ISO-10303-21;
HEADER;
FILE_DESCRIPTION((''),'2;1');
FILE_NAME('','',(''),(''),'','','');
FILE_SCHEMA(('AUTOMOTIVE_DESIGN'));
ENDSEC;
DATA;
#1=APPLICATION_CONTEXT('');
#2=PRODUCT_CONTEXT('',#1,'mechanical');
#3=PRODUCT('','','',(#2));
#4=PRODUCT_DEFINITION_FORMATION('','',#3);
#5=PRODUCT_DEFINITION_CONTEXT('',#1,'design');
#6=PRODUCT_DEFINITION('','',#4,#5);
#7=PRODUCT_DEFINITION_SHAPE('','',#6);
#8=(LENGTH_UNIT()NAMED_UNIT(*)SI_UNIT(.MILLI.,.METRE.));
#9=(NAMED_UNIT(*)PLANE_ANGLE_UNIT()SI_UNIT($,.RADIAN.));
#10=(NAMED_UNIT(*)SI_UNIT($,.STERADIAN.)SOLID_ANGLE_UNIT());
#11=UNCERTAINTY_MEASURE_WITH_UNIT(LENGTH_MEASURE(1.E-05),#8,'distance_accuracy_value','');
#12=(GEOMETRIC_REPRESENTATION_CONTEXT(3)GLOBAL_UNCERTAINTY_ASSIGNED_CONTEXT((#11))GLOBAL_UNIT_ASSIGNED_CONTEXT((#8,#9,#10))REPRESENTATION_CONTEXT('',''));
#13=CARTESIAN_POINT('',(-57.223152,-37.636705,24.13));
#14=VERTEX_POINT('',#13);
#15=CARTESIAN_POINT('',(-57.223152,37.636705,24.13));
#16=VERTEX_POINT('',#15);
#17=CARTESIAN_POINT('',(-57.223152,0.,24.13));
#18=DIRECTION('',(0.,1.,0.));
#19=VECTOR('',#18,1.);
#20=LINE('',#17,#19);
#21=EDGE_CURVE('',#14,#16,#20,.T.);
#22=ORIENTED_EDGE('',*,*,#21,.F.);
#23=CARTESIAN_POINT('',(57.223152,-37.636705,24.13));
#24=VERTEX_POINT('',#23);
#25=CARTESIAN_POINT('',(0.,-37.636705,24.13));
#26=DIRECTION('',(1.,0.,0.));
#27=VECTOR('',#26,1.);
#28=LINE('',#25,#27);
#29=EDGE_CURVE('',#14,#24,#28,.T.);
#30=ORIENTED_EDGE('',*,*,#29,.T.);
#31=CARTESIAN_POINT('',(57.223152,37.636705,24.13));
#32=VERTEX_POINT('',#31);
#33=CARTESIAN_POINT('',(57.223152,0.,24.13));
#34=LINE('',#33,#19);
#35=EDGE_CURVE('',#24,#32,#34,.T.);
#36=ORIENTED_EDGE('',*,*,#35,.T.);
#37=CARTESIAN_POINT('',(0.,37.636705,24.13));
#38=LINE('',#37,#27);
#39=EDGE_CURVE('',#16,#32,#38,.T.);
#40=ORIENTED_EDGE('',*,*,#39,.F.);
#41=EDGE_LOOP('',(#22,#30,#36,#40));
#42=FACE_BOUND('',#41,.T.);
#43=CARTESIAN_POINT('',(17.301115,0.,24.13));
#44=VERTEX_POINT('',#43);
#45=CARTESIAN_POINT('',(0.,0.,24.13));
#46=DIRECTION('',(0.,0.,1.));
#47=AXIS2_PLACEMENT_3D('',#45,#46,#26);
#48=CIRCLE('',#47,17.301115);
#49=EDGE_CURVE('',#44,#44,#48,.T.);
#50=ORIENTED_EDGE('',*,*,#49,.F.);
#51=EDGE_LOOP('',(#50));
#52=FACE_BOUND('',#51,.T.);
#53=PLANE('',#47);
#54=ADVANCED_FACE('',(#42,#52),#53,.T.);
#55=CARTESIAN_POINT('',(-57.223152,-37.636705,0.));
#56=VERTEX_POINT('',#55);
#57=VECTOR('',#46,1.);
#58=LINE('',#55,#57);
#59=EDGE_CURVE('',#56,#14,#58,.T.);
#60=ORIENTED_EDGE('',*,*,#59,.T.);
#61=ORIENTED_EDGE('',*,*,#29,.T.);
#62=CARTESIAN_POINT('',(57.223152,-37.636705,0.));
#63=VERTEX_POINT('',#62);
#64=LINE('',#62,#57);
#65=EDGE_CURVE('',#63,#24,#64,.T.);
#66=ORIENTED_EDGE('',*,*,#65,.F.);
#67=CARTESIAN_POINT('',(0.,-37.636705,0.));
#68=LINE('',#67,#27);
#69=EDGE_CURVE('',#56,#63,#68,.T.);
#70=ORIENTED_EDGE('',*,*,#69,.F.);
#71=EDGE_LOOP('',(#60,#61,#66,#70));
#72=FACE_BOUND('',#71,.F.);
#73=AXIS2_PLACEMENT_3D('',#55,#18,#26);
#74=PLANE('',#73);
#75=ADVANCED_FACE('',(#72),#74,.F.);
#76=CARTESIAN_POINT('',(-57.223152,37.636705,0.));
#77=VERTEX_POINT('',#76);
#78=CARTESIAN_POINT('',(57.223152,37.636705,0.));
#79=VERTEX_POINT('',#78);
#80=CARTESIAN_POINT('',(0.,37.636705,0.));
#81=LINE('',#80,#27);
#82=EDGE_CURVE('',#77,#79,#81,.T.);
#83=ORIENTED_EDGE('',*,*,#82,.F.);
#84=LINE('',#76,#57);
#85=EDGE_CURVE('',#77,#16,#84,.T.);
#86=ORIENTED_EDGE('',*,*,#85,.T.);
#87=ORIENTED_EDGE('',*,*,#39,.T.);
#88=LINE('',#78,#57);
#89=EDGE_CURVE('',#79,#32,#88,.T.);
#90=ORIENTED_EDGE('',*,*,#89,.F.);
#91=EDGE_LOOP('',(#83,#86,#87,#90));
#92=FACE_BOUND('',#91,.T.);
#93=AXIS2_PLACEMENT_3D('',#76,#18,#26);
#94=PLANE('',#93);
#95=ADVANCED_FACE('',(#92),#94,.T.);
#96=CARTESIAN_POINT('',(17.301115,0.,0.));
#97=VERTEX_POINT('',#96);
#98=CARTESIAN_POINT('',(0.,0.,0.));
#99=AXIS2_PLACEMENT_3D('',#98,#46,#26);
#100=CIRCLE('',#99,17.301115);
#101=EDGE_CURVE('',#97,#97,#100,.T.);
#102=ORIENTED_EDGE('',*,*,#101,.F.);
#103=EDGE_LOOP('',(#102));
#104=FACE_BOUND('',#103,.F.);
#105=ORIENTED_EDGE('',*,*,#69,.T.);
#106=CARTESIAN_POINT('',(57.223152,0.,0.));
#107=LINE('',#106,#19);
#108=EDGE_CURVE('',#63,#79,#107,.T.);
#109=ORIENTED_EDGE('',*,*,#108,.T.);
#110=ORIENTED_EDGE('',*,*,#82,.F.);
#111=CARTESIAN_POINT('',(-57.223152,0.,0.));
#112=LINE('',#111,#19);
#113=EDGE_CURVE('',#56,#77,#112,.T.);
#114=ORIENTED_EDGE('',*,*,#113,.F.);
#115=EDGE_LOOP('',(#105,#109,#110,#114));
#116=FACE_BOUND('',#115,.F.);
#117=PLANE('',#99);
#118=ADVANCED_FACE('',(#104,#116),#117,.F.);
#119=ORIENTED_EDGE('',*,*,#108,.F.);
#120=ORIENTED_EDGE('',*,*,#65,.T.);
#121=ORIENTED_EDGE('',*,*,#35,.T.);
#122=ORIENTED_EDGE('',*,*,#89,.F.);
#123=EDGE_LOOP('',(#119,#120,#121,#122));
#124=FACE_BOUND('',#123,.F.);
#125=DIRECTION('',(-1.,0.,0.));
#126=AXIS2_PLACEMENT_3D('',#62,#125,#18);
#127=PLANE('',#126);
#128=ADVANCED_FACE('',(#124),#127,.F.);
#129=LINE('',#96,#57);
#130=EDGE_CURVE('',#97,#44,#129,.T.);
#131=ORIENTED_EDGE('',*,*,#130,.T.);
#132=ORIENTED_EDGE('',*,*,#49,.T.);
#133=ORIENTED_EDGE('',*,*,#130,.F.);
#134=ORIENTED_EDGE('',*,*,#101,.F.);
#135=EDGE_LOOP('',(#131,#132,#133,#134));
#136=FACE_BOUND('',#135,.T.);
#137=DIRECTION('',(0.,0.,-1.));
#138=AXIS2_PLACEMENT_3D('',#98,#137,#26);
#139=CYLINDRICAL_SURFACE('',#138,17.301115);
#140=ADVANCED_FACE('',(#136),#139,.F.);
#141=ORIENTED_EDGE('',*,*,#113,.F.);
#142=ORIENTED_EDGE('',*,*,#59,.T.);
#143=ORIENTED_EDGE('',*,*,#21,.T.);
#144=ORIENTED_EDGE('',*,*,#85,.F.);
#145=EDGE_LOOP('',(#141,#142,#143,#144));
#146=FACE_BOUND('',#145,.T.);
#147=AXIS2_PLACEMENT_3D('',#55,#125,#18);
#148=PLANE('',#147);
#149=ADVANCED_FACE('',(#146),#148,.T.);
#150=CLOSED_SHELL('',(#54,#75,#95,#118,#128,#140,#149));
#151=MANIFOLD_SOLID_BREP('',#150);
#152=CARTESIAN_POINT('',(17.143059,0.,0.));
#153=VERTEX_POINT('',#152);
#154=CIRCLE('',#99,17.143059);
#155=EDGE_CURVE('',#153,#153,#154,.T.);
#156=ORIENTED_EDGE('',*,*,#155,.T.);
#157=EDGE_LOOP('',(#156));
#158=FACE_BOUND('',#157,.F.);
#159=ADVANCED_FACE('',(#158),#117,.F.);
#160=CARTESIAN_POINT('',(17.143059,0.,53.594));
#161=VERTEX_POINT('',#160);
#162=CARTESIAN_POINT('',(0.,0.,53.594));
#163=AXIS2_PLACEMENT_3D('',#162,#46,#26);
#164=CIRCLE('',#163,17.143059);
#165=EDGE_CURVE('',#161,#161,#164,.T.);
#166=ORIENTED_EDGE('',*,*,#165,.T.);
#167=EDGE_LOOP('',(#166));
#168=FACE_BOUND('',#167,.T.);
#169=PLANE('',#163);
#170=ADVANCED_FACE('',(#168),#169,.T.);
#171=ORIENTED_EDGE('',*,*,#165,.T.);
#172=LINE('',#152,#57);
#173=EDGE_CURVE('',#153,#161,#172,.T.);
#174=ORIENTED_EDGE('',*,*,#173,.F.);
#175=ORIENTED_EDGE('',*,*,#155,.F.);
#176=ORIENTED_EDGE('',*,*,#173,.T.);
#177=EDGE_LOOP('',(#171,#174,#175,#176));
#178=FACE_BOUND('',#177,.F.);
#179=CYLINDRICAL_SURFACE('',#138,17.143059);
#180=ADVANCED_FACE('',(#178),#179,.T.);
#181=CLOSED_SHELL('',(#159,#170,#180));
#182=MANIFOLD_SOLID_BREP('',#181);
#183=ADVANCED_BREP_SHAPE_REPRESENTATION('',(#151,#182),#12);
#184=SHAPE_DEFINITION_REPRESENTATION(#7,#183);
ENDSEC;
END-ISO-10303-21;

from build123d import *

# Parameters (mm, degrees)
F0_W     = 114.446304
F0_H     = 75.27341
F0_R     = 17.301115
F1_DEPTH = 24.13
F2_R     = 17.143059
F3_DEPTH = 53.594


with BuildPart() as f1:
    # F0 (on Top) → F1 (new body)
    with BuildSketch(Plane.XY):
        Rectangle(F0_W, F0_H)
        Circle(F0_R, mode=Mode.SUBTRACT)
    extrude(amount=F1_DEPTH)


with BuildPart() as f3:
    # F2 (on Top) → F3 (new body)
    with BuildSketch(Plane.XY):
        Circle(F2_R)
    extrude(amount=F3_DEPTH)


solid = Compound([f1.part, f3.part])
